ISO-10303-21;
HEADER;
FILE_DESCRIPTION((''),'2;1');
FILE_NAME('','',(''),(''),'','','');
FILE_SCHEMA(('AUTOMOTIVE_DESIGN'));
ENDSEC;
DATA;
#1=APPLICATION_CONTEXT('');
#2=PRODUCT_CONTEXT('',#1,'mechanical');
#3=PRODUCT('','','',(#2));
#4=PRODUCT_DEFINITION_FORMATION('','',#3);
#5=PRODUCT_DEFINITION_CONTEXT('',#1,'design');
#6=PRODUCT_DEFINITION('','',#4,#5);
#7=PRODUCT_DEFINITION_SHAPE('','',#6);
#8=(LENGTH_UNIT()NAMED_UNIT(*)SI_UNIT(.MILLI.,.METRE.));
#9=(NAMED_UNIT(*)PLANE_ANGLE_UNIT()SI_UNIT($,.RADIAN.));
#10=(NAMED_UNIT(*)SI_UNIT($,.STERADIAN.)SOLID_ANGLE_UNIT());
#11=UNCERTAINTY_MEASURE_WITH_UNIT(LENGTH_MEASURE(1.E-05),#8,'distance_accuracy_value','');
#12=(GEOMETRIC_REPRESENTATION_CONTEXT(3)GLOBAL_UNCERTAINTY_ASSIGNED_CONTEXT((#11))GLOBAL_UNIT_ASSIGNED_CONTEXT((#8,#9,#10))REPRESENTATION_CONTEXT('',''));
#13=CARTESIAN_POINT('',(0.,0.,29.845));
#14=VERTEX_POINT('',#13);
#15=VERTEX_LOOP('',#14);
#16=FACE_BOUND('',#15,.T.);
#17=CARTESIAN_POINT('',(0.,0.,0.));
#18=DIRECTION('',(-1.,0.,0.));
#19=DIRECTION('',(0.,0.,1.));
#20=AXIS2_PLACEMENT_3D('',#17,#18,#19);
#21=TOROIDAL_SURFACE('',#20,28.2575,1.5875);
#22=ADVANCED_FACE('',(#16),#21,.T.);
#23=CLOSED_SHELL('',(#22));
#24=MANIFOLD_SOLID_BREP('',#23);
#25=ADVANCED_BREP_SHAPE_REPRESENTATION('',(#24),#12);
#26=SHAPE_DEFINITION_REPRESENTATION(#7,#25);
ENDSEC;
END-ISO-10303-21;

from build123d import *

# Parameters (mm, degrees)
SKETCH2_R = 1.5875


with BuildPart() as part:
    # Sketch2 → Revolve1 (revolve)
    with BuildSketch(Plane.XY, mode=Mode.PRIVATE) as revolve1_sk:
        with Locations((0, 28.2575)):
            Circle(SKETCH2_R)
    revolve(revolve1_sk.sketch.rotate(Axis((0, 0, 0), (1, 0, 0)), 90), axis=Axis((0, 0, 0), (1, 0, 0)))


solid = part.part
